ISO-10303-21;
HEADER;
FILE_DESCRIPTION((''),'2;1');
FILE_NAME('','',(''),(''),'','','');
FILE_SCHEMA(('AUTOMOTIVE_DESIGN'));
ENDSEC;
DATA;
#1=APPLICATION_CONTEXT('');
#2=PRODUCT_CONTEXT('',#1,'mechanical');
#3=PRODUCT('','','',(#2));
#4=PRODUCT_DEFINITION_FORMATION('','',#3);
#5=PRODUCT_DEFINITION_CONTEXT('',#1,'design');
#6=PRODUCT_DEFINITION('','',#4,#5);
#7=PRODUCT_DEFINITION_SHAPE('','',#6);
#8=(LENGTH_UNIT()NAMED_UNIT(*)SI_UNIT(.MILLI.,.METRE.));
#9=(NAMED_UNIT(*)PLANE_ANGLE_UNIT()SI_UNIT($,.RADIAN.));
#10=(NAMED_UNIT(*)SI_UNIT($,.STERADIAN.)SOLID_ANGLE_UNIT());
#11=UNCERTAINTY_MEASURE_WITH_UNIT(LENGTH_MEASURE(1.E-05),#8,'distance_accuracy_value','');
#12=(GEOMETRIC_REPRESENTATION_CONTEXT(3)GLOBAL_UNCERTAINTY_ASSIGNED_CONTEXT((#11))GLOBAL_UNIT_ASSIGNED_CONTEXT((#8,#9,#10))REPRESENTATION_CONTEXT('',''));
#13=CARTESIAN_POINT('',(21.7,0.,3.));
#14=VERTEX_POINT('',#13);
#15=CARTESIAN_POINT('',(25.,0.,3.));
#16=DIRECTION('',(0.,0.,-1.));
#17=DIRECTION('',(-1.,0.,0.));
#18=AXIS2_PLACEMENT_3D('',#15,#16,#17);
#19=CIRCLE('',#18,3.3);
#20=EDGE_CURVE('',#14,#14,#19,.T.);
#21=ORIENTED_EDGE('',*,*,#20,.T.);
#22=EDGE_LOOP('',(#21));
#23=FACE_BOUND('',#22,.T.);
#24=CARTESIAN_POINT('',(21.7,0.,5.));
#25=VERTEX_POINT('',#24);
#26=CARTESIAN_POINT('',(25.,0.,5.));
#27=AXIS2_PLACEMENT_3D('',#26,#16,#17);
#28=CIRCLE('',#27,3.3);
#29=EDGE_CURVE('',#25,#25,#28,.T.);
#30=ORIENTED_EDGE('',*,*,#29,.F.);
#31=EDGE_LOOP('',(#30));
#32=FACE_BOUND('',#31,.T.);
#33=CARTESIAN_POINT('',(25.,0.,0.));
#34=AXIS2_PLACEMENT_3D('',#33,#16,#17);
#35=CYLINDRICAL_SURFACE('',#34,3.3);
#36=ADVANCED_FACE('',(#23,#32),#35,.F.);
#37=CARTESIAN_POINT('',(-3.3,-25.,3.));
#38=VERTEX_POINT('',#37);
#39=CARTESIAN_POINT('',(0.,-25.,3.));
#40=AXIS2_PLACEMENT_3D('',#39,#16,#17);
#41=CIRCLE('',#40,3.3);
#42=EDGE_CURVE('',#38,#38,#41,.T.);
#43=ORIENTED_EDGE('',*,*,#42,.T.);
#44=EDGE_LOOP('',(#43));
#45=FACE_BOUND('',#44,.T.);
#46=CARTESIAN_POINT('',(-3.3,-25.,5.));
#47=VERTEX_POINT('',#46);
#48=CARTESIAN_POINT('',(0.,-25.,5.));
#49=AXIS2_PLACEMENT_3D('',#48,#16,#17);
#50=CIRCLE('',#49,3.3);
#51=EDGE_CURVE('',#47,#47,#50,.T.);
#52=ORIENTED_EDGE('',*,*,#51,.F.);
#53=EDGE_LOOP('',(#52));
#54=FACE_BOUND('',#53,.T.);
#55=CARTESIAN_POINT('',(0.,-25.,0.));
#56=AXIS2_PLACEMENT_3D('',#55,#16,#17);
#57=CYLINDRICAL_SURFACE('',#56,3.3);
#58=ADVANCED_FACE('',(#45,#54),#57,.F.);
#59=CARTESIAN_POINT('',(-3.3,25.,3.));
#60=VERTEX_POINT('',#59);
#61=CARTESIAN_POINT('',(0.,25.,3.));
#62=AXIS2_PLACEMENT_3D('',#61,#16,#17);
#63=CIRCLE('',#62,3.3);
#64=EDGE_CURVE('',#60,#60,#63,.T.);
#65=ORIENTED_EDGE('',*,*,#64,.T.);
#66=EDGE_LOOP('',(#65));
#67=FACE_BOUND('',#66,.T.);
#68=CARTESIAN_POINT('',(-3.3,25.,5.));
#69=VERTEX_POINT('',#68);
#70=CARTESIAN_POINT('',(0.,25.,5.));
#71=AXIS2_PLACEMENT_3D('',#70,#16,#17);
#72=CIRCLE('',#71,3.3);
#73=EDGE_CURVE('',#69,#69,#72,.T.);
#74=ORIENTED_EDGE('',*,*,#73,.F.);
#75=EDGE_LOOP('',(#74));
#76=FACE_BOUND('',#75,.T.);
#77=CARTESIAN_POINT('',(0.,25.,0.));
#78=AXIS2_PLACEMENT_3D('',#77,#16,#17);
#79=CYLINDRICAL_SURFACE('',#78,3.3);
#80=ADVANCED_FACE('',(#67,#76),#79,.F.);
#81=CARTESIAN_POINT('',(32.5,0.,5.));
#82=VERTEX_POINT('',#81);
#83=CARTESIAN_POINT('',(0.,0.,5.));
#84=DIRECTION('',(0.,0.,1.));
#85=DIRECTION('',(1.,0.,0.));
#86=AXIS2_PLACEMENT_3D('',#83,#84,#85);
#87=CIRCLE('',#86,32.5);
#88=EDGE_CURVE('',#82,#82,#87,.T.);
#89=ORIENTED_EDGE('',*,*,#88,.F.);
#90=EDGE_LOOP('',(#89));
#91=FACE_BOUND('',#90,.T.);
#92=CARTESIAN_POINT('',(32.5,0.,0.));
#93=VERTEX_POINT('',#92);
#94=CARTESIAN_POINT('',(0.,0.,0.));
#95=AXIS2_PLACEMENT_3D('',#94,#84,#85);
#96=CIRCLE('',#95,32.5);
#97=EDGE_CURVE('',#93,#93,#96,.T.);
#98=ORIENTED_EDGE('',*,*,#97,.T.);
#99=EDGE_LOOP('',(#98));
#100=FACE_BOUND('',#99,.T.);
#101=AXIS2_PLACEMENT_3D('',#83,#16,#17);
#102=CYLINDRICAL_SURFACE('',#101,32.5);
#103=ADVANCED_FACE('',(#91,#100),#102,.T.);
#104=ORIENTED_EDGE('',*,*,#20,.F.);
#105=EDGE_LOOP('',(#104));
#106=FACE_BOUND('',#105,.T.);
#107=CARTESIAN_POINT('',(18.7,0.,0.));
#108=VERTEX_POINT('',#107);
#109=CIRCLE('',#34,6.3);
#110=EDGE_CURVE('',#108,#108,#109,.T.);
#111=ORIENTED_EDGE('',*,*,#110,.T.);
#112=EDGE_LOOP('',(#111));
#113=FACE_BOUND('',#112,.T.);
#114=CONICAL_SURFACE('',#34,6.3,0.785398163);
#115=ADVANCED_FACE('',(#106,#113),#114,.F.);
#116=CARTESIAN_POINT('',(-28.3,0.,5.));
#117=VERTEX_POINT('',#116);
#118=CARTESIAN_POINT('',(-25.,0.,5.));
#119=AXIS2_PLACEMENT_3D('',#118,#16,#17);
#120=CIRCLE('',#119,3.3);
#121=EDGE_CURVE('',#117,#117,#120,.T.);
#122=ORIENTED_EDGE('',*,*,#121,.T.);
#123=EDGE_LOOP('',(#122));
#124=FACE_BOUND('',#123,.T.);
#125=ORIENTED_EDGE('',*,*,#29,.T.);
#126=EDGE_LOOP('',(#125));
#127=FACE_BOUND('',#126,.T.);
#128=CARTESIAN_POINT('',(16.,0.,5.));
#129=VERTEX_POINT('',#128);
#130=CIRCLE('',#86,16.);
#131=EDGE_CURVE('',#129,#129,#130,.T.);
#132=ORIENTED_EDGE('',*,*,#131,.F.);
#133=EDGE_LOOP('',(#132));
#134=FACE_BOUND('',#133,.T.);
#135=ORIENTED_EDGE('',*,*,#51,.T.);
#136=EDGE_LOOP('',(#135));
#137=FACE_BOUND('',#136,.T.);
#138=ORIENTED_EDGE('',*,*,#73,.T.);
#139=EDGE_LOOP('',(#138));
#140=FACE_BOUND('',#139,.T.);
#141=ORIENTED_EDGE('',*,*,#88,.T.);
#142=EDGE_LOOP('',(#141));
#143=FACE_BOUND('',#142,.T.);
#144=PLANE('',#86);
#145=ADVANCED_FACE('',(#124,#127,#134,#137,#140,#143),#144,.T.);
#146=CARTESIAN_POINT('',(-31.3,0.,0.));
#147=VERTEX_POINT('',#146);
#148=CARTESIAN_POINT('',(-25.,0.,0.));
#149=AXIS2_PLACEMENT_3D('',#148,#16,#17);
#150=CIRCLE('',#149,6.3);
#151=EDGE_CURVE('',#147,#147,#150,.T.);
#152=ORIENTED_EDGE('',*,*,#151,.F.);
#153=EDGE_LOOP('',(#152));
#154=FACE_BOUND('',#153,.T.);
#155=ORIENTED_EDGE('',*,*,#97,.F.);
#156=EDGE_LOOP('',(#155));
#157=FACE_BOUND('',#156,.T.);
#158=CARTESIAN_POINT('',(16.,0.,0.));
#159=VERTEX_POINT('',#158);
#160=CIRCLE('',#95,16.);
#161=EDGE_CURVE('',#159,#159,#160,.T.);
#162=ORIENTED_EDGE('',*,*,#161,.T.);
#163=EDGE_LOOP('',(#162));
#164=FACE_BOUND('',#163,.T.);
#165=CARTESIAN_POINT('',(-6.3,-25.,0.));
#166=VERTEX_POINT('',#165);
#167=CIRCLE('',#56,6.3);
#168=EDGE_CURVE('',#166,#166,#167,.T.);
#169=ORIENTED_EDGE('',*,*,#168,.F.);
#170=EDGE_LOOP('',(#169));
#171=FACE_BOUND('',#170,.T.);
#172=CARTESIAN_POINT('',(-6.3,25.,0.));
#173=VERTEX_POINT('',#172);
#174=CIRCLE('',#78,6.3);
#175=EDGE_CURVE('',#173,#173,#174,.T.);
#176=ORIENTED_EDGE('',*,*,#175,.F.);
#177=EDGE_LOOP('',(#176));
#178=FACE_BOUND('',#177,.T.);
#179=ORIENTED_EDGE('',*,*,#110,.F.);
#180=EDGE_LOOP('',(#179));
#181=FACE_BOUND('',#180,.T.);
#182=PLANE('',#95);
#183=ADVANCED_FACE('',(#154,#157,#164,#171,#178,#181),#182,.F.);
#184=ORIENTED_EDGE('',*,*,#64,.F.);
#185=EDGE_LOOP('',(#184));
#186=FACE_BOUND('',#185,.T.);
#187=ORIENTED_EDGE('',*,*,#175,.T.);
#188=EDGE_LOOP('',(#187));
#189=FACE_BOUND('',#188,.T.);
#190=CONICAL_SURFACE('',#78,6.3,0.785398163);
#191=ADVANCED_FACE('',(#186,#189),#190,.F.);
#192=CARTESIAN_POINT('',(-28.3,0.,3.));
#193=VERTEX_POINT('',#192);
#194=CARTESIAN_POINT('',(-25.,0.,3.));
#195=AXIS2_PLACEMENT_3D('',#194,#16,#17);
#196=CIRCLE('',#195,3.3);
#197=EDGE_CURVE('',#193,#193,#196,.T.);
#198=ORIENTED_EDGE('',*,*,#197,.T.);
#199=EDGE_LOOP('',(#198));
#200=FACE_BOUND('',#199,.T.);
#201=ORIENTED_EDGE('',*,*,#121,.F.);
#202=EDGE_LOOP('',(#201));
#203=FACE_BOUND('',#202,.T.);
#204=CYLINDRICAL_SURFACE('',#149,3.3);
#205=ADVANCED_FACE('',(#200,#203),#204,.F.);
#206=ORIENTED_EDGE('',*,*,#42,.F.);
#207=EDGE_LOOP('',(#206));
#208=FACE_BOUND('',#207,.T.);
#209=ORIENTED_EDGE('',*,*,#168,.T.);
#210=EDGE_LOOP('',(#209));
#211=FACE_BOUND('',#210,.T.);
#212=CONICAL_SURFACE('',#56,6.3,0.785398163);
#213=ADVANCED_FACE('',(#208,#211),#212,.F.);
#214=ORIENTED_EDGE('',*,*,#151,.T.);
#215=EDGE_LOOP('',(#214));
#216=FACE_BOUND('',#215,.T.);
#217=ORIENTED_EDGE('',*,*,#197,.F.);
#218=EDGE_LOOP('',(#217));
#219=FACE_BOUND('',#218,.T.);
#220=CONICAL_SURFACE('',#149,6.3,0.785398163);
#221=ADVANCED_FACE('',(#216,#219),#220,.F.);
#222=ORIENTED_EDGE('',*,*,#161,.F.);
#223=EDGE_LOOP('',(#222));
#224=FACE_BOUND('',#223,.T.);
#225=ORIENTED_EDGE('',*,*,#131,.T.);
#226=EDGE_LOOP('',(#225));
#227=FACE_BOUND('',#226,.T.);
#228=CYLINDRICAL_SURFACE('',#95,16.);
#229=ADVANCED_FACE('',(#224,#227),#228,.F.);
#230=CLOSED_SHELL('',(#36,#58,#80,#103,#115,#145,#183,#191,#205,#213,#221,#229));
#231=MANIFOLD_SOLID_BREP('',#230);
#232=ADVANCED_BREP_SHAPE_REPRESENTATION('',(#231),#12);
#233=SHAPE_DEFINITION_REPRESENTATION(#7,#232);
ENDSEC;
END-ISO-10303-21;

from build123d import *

# Parameters (mm, degrees)
ESQUISSE1_R                  = 32.5
BOSS_EXTRU_1_DEPTH           = 5
R_P_TITION_CIRCULAIRE1_COUNT = 4
ESQUISSE2_R                  = 16
ENL_V_MAT_EXTRU_1_DEPTH      = 6


with BuildPart() as part:
    # Esquisse1 → Boss.-Extru.1 (new body)
    with BuildSketch(Plane.XY):
        Circle(ESQUISSE1_R)
    extrude(amount=BOSS_EXTRU_1_DEPTH)

    # Esquisse5 → Fraisage pour vis à tête fraisée M61 (revolve, cut)
    with BuildSketch(Plane(origin=(0, -25, 0), x_dir=(0, 1, 0), z_dir=(1, 0, 0))):
        Polygon((0, 0), (0, 5), (3.3, 5), (3.3, 3), (6.3, 0), align=None)
    fraisage_pour_vis_t_te_frais_e_m61 = revolve(axis=Axis((0, -25, -6.35), (0, 0, 1)), mode=Mode.SUBTRACT)

    # Répétition circulaire1: Fraisage pour vis à tête fraisée M61 ×4 about axis
    r_p_tition_circulaire1_axis = Axis((0, 0, 0), (0, 0, 1))
    for i in range(1, R_P_TITION_CIRCULAIRE1_COUNT):
        add(fraisage_pour_vis_t_te_frais_e_m61.rotate(r_p_tition_circulaire1_axis, i * 360 / R_P_TITION_CIRCULAIRE1_COUNT), mode=Mode.SUBTRACT)

    # Esquisse2 → Enlèv. mat.-Extru.1 (cut, through all)
    with BuildSketch(Plane.XY.offset(5)):
        Circle(ESQUISSE2_R)
    extrude(amount=-ENL_V_MAT_EXTRU_1_DEPTH, mode=Mode.SUBTRACT)


solid = part.part
